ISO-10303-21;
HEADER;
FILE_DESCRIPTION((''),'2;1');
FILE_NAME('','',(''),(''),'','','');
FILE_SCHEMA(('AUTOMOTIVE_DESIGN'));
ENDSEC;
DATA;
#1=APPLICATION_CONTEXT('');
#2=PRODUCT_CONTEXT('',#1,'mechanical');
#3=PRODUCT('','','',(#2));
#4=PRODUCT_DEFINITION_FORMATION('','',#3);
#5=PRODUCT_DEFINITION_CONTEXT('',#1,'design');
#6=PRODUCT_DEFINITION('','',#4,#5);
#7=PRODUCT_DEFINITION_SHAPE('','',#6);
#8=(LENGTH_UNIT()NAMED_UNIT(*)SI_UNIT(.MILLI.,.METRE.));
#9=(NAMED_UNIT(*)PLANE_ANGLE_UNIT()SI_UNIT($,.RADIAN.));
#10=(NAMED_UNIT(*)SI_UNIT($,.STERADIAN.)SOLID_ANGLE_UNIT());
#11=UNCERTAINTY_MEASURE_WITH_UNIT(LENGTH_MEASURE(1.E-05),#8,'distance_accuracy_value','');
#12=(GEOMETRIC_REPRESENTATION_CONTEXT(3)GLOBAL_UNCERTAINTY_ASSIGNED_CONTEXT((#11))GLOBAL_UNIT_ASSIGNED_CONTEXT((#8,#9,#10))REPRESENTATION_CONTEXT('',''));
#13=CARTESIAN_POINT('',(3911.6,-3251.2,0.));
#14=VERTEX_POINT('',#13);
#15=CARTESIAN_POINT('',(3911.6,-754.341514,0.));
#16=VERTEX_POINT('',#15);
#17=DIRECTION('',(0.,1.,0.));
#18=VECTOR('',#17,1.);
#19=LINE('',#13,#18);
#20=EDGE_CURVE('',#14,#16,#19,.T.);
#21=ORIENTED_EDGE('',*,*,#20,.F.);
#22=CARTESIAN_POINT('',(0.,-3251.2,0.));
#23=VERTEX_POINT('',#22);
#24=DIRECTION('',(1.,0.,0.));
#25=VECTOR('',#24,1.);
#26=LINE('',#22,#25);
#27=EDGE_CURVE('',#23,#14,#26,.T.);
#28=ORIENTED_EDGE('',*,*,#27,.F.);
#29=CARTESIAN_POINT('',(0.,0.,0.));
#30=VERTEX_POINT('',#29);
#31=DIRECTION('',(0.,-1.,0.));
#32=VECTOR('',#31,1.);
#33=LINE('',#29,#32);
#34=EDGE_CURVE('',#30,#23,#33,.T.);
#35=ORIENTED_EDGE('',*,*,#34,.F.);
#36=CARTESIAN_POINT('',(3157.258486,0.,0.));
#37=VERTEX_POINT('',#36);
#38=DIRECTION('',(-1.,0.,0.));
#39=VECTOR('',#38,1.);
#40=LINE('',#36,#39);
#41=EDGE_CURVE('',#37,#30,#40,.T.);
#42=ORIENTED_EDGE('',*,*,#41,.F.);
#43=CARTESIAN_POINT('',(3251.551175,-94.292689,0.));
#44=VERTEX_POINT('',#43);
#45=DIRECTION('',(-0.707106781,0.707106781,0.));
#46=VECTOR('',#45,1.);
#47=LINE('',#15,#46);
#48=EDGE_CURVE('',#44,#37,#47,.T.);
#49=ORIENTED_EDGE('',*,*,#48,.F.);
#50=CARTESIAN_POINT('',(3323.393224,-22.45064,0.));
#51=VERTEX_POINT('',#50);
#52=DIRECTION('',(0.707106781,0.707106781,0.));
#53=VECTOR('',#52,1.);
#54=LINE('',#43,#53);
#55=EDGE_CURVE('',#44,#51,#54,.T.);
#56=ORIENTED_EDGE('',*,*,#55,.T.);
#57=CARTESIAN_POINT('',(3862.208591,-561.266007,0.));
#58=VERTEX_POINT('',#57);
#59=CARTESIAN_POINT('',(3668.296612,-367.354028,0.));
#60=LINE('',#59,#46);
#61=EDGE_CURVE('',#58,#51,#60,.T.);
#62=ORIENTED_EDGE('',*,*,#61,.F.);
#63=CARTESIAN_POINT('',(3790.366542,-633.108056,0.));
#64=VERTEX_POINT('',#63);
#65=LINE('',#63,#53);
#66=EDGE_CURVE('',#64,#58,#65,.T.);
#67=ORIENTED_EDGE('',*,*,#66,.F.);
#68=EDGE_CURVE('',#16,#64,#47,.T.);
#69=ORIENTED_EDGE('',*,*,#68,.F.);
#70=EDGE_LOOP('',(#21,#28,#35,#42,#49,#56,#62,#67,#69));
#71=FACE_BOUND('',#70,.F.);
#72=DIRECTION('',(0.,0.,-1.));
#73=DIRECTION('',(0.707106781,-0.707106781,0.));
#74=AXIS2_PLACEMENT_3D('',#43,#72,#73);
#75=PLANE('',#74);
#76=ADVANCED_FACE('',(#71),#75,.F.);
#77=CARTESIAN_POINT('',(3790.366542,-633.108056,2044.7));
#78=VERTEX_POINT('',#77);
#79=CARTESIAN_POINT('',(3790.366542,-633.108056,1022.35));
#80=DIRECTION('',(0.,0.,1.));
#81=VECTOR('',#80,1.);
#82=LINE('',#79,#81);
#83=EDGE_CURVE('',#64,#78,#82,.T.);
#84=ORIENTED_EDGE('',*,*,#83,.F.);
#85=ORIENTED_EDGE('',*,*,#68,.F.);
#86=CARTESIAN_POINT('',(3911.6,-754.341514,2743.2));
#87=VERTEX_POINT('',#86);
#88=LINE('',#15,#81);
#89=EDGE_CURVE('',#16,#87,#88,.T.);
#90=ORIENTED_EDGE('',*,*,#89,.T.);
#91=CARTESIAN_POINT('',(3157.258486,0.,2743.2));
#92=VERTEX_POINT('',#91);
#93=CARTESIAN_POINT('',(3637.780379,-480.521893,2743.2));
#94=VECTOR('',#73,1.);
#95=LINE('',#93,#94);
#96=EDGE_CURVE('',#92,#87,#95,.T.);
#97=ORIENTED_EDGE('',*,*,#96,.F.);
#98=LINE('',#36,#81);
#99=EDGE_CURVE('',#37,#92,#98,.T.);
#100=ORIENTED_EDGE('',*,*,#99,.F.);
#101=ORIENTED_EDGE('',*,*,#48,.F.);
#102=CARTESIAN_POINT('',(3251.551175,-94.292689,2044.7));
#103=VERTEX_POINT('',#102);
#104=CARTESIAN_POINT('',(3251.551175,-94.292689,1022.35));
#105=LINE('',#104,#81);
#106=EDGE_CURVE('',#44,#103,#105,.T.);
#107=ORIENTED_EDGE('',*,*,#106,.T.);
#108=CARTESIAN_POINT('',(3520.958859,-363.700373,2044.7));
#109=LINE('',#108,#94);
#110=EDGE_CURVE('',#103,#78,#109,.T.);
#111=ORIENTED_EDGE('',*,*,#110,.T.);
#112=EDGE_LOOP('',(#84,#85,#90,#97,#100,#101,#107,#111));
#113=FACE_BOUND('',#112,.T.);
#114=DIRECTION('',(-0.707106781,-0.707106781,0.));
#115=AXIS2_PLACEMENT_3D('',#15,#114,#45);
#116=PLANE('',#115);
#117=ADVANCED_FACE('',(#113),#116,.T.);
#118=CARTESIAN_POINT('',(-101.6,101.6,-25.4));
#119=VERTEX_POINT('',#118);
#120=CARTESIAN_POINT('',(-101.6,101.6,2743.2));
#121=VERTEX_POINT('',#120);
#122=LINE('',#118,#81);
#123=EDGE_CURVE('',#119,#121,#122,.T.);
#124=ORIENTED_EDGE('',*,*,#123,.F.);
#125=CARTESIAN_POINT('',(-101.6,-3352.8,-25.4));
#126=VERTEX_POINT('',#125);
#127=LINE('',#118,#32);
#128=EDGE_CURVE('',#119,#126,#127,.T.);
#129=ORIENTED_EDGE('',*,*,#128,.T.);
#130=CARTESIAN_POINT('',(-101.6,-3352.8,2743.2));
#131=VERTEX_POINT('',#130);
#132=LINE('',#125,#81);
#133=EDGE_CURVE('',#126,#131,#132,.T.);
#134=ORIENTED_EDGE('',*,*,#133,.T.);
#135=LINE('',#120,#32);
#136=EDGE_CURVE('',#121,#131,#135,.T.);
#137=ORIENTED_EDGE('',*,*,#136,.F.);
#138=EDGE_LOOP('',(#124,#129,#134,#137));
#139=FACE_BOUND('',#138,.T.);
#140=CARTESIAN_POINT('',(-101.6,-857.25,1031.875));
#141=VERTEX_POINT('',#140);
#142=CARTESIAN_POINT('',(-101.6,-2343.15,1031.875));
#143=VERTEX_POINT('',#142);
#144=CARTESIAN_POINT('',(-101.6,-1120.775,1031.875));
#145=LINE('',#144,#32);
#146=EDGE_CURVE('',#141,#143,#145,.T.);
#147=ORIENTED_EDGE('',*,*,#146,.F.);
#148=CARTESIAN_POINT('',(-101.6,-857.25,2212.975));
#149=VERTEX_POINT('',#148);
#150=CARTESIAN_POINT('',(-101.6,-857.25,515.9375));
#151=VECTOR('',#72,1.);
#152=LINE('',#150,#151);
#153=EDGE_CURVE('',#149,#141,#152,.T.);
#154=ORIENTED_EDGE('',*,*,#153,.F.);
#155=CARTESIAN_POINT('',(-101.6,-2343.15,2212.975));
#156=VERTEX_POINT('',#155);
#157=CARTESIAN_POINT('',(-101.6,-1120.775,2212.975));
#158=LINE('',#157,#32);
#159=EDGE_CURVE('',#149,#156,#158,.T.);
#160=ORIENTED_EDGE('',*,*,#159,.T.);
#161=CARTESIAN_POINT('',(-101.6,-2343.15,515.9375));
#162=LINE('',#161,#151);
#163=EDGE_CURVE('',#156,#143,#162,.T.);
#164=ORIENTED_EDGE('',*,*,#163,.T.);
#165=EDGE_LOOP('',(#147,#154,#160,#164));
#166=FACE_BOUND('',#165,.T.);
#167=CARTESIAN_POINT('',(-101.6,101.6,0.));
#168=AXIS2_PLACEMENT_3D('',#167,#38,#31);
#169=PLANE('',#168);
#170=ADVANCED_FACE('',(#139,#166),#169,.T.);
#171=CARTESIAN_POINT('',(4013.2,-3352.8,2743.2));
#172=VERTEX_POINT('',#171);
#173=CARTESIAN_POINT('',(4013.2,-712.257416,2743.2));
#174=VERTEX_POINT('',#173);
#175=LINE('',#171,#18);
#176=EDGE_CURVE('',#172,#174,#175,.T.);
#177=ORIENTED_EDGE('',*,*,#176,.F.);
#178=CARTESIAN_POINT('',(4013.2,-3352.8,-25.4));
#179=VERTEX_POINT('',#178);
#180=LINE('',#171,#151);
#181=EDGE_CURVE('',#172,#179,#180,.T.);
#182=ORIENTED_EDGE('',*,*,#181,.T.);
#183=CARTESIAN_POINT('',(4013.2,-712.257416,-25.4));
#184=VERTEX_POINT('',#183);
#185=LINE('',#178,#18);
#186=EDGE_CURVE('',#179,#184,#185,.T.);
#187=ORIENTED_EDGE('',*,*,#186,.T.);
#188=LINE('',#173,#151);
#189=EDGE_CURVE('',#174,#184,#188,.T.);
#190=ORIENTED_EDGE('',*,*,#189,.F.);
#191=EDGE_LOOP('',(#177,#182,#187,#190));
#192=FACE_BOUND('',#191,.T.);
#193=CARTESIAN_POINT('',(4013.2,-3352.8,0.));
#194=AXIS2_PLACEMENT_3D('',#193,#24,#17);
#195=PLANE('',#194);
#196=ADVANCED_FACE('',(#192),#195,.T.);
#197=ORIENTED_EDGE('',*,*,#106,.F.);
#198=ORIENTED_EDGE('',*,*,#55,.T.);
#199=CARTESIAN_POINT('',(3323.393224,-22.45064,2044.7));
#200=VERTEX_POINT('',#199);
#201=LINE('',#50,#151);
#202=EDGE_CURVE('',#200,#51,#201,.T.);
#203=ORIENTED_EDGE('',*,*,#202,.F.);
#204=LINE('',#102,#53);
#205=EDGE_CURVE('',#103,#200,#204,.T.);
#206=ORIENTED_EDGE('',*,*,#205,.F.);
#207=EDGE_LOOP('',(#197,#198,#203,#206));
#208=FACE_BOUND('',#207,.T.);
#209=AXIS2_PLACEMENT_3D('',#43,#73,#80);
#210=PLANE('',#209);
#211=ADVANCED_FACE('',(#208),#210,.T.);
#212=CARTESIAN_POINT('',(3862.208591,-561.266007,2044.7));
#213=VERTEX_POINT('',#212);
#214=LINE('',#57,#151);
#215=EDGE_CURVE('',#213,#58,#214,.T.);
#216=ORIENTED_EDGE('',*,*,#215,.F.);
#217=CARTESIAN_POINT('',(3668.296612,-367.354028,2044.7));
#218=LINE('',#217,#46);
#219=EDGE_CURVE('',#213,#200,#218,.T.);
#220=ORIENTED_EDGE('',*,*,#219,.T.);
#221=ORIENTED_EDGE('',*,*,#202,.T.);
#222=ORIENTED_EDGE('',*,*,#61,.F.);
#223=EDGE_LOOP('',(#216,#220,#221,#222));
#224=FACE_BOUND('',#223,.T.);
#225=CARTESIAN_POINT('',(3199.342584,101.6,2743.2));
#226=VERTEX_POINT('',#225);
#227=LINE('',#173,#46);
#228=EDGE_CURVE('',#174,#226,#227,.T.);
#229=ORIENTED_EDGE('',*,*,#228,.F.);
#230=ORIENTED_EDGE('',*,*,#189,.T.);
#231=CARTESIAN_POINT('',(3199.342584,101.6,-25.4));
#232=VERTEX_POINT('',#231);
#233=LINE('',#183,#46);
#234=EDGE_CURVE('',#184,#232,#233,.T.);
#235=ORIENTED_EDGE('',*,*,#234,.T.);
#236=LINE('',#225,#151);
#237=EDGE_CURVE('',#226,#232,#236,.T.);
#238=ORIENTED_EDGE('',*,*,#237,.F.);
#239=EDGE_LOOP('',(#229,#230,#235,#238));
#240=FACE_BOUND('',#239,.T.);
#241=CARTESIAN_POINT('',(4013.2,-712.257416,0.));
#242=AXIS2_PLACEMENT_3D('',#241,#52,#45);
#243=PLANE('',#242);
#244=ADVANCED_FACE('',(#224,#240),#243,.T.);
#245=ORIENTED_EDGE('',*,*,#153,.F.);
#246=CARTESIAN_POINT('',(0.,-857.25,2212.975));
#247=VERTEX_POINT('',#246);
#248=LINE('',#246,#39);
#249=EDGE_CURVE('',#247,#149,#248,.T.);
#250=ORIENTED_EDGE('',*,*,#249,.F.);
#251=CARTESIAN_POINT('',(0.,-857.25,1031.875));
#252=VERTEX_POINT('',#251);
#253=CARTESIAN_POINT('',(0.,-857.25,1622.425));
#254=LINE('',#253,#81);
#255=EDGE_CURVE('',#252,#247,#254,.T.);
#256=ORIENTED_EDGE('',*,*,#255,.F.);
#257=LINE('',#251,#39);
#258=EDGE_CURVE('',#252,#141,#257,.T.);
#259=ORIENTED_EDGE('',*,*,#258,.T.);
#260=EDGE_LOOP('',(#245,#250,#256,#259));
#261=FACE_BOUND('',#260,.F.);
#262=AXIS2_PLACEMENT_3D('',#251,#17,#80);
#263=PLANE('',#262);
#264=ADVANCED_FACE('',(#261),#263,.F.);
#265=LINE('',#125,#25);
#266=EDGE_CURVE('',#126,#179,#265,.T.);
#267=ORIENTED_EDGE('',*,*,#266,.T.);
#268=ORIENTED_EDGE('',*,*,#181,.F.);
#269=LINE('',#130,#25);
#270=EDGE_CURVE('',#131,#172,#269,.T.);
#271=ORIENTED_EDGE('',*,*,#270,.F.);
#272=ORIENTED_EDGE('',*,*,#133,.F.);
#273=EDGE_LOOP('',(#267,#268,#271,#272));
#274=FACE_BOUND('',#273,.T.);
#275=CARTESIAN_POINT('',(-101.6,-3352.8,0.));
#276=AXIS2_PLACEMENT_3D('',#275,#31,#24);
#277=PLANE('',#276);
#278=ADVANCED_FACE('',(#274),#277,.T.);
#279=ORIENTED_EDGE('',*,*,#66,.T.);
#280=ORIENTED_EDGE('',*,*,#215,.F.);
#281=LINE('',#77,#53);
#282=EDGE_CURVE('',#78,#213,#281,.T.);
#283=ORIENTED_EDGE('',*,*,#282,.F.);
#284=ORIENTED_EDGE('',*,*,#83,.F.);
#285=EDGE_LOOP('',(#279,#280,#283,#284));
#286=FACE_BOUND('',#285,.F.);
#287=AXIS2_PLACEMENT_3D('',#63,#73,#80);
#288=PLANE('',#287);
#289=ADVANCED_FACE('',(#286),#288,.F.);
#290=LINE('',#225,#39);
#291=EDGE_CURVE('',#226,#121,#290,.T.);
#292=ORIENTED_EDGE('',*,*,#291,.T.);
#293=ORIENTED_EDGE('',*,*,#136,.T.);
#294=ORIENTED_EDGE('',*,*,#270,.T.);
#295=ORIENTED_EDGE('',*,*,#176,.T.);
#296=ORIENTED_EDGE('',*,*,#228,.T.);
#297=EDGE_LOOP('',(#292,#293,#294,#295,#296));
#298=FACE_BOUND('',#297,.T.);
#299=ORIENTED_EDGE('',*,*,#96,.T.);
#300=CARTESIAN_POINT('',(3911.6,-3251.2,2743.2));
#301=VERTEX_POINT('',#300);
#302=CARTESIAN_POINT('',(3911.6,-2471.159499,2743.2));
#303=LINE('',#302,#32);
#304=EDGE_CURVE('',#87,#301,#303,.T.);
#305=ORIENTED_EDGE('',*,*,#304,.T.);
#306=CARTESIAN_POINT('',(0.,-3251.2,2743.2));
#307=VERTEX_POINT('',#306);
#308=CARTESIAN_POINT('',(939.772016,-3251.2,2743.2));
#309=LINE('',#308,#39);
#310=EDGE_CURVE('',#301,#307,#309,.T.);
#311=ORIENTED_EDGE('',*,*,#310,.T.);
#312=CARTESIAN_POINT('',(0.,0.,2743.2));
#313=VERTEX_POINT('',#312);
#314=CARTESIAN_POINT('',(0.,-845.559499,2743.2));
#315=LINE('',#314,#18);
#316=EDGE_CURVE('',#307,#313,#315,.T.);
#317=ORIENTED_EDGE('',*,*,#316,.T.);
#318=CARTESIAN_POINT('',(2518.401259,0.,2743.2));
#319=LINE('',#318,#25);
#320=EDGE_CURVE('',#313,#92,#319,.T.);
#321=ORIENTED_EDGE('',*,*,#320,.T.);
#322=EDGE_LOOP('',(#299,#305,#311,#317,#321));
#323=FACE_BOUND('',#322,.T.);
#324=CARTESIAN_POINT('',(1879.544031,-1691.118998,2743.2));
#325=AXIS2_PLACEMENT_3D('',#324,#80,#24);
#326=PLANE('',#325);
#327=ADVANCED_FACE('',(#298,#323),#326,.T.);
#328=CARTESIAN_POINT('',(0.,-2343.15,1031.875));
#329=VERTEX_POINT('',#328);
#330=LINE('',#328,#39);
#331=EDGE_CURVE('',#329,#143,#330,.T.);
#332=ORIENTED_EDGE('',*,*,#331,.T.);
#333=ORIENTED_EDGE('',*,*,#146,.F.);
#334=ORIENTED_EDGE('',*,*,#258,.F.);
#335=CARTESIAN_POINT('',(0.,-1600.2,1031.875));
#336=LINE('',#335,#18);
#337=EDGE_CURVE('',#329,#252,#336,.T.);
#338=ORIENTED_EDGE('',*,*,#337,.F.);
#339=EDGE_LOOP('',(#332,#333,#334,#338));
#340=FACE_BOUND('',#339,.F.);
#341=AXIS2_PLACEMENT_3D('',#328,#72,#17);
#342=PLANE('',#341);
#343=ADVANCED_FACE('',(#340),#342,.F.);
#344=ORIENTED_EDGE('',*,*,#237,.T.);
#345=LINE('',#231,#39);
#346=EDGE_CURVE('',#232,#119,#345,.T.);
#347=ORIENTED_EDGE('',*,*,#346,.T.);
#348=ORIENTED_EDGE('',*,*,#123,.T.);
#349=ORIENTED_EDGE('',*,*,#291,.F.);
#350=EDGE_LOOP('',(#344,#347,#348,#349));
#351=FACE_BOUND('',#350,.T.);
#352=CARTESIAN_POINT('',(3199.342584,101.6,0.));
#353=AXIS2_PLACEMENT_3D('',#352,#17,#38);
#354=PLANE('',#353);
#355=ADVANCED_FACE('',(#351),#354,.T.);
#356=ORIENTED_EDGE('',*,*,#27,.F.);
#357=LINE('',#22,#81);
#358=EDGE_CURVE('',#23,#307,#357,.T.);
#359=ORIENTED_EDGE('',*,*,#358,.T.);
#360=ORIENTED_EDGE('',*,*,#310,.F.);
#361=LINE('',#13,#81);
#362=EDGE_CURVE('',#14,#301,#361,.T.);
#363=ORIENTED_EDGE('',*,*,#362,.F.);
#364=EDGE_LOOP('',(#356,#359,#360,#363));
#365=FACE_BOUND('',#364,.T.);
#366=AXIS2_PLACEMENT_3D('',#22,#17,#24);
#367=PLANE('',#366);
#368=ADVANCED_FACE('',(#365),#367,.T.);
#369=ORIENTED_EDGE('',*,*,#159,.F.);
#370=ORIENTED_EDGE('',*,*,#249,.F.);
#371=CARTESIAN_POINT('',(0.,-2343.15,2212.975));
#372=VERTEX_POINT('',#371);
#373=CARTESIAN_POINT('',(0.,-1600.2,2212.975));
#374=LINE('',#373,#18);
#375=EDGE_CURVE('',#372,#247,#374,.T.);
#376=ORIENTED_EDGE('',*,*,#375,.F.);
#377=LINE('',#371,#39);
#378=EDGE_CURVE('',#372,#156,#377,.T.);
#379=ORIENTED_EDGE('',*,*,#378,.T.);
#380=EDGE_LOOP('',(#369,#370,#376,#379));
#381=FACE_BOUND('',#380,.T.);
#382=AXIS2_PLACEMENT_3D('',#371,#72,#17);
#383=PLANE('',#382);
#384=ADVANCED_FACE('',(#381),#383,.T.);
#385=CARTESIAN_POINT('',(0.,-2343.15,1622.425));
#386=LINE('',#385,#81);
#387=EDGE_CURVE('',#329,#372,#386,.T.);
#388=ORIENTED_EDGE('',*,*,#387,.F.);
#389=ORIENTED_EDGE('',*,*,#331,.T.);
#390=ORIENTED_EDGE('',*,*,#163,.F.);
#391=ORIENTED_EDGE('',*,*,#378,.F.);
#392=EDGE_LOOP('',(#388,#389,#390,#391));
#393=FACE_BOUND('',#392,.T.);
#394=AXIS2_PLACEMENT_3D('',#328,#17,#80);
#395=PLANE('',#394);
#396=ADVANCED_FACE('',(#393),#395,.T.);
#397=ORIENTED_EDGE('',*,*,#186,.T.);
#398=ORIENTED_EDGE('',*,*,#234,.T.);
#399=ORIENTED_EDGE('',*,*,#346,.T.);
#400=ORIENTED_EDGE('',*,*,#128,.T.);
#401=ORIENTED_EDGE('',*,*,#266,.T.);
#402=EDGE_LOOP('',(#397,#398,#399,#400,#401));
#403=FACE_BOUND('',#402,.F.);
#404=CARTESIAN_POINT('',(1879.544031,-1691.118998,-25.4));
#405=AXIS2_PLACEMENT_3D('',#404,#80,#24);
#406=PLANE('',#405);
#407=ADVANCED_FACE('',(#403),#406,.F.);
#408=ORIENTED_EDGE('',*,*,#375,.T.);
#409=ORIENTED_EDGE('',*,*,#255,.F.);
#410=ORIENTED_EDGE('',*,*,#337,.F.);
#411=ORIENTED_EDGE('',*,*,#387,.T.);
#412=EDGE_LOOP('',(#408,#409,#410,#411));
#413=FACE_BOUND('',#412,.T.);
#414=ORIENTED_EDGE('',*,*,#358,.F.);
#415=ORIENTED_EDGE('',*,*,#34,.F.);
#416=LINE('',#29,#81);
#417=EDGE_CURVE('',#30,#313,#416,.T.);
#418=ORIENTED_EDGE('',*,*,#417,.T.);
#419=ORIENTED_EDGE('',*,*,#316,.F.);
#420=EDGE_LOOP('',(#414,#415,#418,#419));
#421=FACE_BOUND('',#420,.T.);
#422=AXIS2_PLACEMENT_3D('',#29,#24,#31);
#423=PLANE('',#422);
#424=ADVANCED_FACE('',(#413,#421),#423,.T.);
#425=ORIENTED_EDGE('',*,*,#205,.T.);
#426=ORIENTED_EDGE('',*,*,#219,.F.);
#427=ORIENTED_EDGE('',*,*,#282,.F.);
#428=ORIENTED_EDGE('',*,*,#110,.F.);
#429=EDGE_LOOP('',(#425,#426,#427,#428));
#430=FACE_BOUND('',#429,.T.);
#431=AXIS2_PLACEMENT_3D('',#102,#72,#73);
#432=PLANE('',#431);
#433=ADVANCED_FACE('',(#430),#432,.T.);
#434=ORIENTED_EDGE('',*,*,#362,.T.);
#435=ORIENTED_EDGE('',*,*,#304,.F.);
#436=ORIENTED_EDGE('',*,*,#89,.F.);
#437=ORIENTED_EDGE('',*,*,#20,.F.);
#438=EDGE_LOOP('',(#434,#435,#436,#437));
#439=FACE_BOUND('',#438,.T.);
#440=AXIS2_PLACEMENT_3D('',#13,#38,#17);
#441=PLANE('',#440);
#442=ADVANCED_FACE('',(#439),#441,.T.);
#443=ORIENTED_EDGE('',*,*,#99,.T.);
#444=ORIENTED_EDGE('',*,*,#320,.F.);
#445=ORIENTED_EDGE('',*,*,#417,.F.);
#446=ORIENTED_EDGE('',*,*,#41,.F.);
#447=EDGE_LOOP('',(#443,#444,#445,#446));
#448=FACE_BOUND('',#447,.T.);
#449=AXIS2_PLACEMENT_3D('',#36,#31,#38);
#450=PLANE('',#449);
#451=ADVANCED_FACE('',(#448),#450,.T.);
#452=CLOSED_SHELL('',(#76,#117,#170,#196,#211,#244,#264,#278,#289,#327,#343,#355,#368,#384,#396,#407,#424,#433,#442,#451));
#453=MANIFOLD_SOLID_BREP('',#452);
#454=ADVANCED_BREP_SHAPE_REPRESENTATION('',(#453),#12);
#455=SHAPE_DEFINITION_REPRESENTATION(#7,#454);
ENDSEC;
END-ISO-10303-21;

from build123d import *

# Parameters (mm, degrees)
F1_DEPTH = 25.4
F3_DEPTH = 2743.2
F4_DEPTH = 25.4
F5_DEPTH = 2743.201
F6_W     = 1485.9
F6_H     = 1181.1
F7_DEPTH = 101.601
F8_W     = 762
F8_H     = 2044.7
F9_DEPTH = 677.085098


with BuildPart() as f1:
    # F0 (on Top) → F1 (new body)
    with BuildSketch(Plane.XY):
        Polygon((3157.258486, 0), (0, 0), (0, -3251.2), (3911.6, -3251.2), (3911.6, -754.341514), align=None)
    extrude(amount=-F1_DEPTH)

    # F2 (on Top) → F3 (join)
    with BuildSketch(Plane.XY):
        Polygon((3199.342584, 101.6), (-101.6, 101.6), (-101.6, -3352.8), (4013.2, -3352.8), (4013.2, -712.257416), align=None)
    extrude(amount=F3_DEPTH)

    # F2 (on Top) → F4 (join, through all)
    with BuildSketch(Plane.XY):
        Polygon((3199.342584, 101.6), (-101.6, 101.6), (-101.6, -3352.8), (4013.2, -3352.8), (4013.2, -712.257416), align=None)
    extrude(amount=-F4_DEPTH)

    # F0 (on Top) → F5 (cut, through all)
    with BuildSketch(Plane.XY):
        Polygon((3157.258486, 0), (0, 0), (0, -3251.2), (3911.6, -3251.2), (3911.6, -754.341514), align=None)
    extrude(amount=F5_DEPTH, mode=Mode.SUBTRACT)

    # F6 (on face) → F7 (cut, through all)
    with BuildSketch(Plane.YZ):
        with Locations((-1600.2, 1622.425)):
            Rectangle(F6_W, F6_H)
    extrude(amount=-F7_DEPTH, mode=Mode.SUBTRACT)

    # F8 (on face) → F9 (cut, through all)
    with BuildSketch(Plane(origin=(1578.629243, 1578.629243, 0), x_dir=(0.707107, -0.707107, 0), z_dir=(-0.707107, -0.707107, 0))):
        with Locations((2746.868885, 1022.35)):
            Rectangle(F8_W, F8_H)
    extrude(amount=-F9_DEPTH, mode=Mode.SUBTRACT)


solid = f1.part
